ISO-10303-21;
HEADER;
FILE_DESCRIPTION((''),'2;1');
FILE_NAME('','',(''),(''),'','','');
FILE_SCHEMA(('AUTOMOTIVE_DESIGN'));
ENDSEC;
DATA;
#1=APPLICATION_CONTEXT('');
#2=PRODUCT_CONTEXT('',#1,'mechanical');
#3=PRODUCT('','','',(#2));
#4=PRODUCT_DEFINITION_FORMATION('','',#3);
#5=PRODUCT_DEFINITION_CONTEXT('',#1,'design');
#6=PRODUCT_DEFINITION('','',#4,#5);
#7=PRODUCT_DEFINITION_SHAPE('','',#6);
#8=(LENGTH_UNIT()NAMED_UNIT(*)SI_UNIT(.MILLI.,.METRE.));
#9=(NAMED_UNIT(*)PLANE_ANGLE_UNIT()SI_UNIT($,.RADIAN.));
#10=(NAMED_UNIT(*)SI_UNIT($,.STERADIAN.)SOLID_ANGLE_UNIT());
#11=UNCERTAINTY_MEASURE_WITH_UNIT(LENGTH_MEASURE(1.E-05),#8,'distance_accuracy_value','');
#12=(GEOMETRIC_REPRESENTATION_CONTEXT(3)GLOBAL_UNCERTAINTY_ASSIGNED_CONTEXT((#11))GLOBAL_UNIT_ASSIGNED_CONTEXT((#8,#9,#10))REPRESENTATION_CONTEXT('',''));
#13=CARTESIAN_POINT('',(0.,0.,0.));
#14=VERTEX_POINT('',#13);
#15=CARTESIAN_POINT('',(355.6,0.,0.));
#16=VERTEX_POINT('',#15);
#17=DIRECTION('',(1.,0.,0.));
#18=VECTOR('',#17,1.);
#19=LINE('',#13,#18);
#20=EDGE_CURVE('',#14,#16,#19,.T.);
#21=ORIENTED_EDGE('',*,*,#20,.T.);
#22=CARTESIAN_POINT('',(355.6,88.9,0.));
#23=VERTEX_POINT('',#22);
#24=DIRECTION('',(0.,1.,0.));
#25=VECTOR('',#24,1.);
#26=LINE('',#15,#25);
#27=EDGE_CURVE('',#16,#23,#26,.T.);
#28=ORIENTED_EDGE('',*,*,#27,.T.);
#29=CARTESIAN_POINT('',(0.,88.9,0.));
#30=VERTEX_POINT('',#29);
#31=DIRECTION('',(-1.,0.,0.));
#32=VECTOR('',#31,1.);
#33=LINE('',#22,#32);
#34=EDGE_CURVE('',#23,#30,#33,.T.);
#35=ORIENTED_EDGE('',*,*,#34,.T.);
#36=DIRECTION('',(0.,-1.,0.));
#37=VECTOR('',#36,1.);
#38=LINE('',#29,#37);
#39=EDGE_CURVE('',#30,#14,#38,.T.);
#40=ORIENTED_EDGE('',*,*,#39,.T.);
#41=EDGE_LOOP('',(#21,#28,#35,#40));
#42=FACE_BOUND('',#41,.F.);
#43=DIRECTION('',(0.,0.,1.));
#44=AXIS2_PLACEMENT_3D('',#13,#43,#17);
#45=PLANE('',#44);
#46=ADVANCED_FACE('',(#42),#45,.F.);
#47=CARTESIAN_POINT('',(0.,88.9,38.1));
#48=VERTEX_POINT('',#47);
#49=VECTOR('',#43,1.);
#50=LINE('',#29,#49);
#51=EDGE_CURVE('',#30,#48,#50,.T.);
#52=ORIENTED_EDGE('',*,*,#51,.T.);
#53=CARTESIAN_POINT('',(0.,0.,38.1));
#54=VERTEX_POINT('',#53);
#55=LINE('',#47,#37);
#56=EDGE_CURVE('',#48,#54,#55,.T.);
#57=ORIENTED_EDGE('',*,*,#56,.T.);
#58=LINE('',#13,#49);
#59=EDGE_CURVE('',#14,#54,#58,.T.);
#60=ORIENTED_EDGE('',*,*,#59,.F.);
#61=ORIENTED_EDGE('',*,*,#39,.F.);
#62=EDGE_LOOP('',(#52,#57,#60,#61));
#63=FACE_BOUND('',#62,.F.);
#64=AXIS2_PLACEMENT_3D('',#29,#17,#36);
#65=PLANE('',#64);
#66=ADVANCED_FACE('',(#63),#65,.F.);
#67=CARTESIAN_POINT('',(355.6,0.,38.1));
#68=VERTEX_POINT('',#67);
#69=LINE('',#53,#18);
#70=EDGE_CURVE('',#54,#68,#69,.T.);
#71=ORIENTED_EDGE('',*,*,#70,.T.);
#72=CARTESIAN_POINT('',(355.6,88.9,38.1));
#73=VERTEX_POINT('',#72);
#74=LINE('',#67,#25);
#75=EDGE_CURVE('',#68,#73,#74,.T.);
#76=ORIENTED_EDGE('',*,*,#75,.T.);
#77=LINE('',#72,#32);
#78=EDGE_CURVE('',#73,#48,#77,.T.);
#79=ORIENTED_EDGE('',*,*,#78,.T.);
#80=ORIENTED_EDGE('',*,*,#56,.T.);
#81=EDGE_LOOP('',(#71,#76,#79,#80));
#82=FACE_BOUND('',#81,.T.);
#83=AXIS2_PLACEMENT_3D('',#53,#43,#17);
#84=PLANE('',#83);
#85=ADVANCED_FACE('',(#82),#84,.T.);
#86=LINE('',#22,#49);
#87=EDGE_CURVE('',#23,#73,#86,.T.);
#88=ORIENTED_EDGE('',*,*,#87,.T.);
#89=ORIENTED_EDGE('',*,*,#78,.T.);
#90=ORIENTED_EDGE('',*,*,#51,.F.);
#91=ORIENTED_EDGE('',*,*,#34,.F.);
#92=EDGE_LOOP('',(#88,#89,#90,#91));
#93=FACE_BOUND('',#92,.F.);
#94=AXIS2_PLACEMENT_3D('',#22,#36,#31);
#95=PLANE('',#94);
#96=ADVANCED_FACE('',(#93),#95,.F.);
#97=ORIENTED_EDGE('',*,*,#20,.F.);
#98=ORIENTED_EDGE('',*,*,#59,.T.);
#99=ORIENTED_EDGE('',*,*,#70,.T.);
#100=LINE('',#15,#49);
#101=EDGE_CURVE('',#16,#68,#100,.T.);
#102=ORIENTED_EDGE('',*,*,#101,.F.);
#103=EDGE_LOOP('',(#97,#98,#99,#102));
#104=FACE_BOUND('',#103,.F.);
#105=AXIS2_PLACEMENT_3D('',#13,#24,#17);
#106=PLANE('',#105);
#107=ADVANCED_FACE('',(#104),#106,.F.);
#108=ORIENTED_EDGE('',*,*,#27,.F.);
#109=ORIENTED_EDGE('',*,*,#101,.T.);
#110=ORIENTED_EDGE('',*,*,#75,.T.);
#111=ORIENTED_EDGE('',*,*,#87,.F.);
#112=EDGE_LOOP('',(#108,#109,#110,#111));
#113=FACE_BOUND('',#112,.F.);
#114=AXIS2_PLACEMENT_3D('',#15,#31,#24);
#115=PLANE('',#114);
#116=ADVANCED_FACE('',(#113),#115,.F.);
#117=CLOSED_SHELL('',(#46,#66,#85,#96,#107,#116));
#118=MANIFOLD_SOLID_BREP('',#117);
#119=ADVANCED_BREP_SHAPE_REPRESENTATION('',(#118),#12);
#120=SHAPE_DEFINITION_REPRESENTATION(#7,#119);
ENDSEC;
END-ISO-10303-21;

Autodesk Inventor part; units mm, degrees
ref_plane "YZ Plane" through (0, 0, 0) normal (1, 0, 0) x (0, 1, 0)
ref_plane "XZ Plane" through (0, 0, 0) normal (0, 1, 0) x (-1, 0, 0)
ref_plane "XY Plane" through (0, 0, 0) normal (0, 0, 1) x (1, 0, 0)
sketch "Sketch1" plane through (0, 0, 0) normal (0, 0, 1) x (1, 0, 0)
  line L0 (0, 0) -> (355.6, 0)
  line L1 (355.6, 0) -> (355.6, 88.9)
  line L2 (355.6, 88.9) -> (0, 88.9)
  line L3 (0, 88.9) -> (0, 0)
  dimension "d0" = 355.6
  dimension "d1" = 88.9
extrude "Extrusion1" add sketch "Sketch1" along normal blind 38.1
properties part number "14in 2x4"
